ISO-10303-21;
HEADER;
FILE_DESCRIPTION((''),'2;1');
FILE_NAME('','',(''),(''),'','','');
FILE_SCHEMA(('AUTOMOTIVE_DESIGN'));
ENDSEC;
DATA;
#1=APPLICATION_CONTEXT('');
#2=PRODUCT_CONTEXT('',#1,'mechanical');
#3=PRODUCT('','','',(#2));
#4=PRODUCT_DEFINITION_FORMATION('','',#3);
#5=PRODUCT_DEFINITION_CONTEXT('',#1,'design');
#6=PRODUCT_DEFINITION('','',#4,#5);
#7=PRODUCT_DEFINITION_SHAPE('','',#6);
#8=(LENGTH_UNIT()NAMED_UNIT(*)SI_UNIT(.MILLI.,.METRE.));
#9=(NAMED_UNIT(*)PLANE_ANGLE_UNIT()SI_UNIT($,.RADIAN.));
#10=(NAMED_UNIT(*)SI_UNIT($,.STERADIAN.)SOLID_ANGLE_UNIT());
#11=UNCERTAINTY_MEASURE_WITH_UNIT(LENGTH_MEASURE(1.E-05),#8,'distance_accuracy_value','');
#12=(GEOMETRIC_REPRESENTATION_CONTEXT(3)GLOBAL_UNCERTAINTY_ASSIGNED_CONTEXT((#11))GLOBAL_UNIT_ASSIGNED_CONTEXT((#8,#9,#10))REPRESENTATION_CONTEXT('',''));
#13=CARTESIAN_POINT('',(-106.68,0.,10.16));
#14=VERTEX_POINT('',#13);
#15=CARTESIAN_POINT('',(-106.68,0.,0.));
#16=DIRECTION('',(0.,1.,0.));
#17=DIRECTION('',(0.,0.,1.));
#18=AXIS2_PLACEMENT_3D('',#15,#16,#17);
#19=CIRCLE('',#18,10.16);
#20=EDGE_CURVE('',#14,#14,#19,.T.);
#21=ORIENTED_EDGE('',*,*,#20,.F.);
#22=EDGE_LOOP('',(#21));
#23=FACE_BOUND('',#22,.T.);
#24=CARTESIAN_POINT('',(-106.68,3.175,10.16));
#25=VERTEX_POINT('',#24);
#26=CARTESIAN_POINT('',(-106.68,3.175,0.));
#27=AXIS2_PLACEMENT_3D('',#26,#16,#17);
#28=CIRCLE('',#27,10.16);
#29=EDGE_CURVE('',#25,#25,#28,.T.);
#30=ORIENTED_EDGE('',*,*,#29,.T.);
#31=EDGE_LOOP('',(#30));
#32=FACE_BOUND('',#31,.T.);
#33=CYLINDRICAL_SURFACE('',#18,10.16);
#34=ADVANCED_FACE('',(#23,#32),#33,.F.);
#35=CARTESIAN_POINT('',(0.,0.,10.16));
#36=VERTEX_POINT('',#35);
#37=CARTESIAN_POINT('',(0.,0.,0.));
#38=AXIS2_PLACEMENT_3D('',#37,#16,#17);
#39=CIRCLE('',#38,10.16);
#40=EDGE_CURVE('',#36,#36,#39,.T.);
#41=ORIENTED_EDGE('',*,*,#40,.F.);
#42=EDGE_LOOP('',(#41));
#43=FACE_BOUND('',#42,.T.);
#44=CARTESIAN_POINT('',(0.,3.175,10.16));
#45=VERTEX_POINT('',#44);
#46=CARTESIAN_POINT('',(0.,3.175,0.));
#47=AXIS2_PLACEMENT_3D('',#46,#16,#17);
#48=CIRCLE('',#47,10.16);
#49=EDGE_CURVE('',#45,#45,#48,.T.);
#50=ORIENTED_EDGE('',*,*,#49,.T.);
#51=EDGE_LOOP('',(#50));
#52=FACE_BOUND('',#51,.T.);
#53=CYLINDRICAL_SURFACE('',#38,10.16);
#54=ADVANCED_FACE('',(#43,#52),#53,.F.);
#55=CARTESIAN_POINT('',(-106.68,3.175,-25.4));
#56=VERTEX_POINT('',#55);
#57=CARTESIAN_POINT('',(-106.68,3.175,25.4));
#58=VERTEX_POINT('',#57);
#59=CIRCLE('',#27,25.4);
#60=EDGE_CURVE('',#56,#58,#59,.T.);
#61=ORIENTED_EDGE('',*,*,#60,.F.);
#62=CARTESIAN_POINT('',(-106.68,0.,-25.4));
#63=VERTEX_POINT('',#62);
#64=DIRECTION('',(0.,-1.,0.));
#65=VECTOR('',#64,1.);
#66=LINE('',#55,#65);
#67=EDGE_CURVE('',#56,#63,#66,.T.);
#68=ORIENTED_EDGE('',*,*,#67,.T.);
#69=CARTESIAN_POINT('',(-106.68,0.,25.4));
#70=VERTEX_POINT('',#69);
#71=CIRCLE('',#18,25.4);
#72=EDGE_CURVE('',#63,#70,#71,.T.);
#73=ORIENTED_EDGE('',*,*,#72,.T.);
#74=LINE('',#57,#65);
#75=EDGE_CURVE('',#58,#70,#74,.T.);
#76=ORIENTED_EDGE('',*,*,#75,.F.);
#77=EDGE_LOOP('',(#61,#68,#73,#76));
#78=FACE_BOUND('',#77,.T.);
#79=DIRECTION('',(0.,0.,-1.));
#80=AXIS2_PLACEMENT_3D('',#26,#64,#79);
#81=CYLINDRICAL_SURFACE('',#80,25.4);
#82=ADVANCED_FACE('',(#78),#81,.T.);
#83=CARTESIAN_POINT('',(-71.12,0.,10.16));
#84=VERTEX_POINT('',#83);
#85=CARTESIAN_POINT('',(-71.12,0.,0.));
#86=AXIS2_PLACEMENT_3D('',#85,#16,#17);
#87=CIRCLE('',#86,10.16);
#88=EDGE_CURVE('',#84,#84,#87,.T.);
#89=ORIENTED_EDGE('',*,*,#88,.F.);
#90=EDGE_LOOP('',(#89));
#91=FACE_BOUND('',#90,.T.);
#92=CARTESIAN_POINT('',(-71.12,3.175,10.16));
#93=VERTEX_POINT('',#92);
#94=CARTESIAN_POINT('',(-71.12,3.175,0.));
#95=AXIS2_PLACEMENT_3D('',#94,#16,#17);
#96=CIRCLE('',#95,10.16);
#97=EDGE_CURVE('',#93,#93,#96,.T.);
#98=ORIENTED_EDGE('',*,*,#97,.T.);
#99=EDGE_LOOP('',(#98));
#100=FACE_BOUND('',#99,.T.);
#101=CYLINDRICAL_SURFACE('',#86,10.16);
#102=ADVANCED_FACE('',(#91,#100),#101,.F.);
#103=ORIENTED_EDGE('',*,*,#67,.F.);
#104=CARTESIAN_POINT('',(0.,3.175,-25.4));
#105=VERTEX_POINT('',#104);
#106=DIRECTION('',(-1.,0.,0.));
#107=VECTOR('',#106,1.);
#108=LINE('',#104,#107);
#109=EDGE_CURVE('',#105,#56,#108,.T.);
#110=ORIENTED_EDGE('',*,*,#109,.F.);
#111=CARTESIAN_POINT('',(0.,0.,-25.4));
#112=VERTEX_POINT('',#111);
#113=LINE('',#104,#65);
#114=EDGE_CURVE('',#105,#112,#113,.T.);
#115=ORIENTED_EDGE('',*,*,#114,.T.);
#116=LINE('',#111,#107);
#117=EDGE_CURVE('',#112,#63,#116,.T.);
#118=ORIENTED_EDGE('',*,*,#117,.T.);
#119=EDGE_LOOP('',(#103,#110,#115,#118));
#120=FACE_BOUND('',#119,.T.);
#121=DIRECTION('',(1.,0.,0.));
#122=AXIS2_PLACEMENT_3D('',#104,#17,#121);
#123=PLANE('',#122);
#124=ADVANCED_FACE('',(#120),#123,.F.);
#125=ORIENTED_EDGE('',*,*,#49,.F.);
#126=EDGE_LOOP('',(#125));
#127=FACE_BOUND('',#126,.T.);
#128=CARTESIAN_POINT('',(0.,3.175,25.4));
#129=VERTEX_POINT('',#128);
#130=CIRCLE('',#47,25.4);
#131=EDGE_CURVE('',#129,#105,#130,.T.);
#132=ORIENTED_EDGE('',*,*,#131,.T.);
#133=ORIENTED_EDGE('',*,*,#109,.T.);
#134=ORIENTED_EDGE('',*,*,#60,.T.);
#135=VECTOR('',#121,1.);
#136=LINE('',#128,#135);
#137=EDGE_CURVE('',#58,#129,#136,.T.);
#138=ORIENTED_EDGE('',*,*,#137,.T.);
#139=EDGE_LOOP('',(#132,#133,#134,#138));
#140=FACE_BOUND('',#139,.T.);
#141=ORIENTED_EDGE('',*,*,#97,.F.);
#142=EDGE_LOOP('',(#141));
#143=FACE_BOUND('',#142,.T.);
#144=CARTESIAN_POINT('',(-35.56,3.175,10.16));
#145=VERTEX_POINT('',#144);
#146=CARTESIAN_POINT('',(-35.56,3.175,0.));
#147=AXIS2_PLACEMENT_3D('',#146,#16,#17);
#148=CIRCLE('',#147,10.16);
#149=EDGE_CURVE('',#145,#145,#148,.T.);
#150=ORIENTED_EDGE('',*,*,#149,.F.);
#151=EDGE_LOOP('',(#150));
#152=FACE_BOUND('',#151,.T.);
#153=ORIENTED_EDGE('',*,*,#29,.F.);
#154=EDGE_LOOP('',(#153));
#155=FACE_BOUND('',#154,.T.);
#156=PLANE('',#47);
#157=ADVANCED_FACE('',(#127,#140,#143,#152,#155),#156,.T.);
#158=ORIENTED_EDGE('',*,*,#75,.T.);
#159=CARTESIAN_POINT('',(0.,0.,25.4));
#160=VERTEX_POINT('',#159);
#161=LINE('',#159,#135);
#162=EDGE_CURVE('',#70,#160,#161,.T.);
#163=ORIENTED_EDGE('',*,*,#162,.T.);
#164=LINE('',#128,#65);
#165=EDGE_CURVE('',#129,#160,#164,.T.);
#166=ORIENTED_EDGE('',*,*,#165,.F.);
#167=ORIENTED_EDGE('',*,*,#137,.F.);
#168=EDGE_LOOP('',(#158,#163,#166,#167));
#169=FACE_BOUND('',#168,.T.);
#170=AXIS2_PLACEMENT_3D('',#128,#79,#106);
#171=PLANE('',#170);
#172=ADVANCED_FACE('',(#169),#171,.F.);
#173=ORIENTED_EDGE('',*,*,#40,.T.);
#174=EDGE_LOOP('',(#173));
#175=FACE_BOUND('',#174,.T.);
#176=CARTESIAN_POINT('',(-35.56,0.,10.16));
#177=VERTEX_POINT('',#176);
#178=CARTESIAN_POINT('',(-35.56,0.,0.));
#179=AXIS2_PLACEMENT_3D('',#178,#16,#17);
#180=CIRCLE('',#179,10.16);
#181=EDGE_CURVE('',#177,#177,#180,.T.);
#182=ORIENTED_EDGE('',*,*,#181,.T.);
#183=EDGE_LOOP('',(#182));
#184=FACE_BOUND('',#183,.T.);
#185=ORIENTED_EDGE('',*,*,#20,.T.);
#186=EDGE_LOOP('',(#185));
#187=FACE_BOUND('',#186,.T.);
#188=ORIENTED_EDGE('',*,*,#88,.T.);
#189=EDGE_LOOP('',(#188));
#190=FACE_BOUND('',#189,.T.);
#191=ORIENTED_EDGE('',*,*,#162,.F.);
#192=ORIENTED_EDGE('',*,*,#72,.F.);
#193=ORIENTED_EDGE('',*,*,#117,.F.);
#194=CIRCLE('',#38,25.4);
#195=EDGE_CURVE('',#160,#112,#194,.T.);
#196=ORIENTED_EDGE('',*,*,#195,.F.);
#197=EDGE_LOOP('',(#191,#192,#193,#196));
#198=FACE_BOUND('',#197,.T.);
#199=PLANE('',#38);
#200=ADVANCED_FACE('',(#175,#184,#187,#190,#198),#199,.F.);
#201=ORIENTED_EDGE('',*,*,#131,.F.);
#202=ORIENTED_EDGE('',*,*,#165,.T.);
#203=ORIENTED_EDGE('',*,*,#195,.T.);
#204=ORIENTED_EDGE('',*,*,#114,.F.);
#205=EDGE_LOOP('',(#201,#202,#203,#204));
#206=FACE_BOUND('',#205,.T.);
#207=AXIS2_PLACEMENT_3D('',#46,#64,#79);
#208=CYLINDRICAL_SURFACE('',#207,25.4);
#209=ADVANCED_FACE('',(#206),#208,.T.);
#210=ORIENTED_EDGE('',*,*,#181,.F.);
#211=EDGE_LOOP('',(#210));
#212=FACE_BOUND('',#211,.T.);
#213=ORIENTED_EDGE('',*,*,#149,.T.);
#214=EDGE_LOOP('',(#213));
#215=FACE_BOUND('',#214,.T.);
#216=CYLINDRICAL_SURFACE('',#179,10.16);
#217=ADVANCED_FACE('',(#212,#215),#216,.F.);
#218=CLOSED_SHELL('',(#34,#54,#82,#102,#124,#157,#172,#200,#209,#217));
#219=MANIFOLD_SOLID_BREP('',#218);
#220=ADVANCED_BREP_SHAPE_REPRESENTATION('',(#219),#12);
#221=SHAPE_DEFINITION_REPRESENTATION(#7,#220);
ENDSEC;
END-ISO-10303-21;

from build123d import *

# Parameters (mm, degrees)
BOSS_EXTRUDE1_DEPTH = 3.175
SKETCH3_R           = 10.16
CUT_EXTRUDE1_DEPTH  = 135.537604501
LPATTERN1_COUNT     = 4
LPATTERN1_PITCH     = 35.56


with BuildPart() as part:
    # Sketch1 → Boss-Extrude1 (new body)
    with BuildSketch(Plane(origin=(0, 0, 0), x_dir=(1, 0, 0), z_dir=(0, 1, 0))):
        with BuildLine():
            Line((0, 25.4), (-106.68, 25.4))
            ThreePointArc((-106.68, 25.4), (-132.08, 0), (-106.68, -25.4))
            Line((-106.68, -25.4), (0, -25.4))
            ThreePointArc((0, -25.4), (25.4, 0), (0, 25.4))
        make_face()
    extrude(amount=BOSS_EXTRUDE1_DEPTH)

    # Sketch3 → Cut-Extrude1 (cut, through all)
    with BuildSketch(Plane(origin=(0, 3.175, 0), x_dir=(1, 0, 0), z_dir=(0, 1, 0))):
        with Locations(Location((-106.68, 0, 0), (0, 0, 270))):
            Circle(SKETCH3_R)
    cut_extrude1 = extrude(amount=-CUT_EXTRUDE1_DEPTH, mode=Mode.SUBTRACT)

    # LPattern1: Cut-Extrude1 ×4
    with Locations(*[(i * LPATTERN1_PITCH, 0, 0) for i in range(1, LPATTERN1_COUNT)]):
        add(cut_extrude1, mode=Mode.SUBTRACT)


solid = part.part
